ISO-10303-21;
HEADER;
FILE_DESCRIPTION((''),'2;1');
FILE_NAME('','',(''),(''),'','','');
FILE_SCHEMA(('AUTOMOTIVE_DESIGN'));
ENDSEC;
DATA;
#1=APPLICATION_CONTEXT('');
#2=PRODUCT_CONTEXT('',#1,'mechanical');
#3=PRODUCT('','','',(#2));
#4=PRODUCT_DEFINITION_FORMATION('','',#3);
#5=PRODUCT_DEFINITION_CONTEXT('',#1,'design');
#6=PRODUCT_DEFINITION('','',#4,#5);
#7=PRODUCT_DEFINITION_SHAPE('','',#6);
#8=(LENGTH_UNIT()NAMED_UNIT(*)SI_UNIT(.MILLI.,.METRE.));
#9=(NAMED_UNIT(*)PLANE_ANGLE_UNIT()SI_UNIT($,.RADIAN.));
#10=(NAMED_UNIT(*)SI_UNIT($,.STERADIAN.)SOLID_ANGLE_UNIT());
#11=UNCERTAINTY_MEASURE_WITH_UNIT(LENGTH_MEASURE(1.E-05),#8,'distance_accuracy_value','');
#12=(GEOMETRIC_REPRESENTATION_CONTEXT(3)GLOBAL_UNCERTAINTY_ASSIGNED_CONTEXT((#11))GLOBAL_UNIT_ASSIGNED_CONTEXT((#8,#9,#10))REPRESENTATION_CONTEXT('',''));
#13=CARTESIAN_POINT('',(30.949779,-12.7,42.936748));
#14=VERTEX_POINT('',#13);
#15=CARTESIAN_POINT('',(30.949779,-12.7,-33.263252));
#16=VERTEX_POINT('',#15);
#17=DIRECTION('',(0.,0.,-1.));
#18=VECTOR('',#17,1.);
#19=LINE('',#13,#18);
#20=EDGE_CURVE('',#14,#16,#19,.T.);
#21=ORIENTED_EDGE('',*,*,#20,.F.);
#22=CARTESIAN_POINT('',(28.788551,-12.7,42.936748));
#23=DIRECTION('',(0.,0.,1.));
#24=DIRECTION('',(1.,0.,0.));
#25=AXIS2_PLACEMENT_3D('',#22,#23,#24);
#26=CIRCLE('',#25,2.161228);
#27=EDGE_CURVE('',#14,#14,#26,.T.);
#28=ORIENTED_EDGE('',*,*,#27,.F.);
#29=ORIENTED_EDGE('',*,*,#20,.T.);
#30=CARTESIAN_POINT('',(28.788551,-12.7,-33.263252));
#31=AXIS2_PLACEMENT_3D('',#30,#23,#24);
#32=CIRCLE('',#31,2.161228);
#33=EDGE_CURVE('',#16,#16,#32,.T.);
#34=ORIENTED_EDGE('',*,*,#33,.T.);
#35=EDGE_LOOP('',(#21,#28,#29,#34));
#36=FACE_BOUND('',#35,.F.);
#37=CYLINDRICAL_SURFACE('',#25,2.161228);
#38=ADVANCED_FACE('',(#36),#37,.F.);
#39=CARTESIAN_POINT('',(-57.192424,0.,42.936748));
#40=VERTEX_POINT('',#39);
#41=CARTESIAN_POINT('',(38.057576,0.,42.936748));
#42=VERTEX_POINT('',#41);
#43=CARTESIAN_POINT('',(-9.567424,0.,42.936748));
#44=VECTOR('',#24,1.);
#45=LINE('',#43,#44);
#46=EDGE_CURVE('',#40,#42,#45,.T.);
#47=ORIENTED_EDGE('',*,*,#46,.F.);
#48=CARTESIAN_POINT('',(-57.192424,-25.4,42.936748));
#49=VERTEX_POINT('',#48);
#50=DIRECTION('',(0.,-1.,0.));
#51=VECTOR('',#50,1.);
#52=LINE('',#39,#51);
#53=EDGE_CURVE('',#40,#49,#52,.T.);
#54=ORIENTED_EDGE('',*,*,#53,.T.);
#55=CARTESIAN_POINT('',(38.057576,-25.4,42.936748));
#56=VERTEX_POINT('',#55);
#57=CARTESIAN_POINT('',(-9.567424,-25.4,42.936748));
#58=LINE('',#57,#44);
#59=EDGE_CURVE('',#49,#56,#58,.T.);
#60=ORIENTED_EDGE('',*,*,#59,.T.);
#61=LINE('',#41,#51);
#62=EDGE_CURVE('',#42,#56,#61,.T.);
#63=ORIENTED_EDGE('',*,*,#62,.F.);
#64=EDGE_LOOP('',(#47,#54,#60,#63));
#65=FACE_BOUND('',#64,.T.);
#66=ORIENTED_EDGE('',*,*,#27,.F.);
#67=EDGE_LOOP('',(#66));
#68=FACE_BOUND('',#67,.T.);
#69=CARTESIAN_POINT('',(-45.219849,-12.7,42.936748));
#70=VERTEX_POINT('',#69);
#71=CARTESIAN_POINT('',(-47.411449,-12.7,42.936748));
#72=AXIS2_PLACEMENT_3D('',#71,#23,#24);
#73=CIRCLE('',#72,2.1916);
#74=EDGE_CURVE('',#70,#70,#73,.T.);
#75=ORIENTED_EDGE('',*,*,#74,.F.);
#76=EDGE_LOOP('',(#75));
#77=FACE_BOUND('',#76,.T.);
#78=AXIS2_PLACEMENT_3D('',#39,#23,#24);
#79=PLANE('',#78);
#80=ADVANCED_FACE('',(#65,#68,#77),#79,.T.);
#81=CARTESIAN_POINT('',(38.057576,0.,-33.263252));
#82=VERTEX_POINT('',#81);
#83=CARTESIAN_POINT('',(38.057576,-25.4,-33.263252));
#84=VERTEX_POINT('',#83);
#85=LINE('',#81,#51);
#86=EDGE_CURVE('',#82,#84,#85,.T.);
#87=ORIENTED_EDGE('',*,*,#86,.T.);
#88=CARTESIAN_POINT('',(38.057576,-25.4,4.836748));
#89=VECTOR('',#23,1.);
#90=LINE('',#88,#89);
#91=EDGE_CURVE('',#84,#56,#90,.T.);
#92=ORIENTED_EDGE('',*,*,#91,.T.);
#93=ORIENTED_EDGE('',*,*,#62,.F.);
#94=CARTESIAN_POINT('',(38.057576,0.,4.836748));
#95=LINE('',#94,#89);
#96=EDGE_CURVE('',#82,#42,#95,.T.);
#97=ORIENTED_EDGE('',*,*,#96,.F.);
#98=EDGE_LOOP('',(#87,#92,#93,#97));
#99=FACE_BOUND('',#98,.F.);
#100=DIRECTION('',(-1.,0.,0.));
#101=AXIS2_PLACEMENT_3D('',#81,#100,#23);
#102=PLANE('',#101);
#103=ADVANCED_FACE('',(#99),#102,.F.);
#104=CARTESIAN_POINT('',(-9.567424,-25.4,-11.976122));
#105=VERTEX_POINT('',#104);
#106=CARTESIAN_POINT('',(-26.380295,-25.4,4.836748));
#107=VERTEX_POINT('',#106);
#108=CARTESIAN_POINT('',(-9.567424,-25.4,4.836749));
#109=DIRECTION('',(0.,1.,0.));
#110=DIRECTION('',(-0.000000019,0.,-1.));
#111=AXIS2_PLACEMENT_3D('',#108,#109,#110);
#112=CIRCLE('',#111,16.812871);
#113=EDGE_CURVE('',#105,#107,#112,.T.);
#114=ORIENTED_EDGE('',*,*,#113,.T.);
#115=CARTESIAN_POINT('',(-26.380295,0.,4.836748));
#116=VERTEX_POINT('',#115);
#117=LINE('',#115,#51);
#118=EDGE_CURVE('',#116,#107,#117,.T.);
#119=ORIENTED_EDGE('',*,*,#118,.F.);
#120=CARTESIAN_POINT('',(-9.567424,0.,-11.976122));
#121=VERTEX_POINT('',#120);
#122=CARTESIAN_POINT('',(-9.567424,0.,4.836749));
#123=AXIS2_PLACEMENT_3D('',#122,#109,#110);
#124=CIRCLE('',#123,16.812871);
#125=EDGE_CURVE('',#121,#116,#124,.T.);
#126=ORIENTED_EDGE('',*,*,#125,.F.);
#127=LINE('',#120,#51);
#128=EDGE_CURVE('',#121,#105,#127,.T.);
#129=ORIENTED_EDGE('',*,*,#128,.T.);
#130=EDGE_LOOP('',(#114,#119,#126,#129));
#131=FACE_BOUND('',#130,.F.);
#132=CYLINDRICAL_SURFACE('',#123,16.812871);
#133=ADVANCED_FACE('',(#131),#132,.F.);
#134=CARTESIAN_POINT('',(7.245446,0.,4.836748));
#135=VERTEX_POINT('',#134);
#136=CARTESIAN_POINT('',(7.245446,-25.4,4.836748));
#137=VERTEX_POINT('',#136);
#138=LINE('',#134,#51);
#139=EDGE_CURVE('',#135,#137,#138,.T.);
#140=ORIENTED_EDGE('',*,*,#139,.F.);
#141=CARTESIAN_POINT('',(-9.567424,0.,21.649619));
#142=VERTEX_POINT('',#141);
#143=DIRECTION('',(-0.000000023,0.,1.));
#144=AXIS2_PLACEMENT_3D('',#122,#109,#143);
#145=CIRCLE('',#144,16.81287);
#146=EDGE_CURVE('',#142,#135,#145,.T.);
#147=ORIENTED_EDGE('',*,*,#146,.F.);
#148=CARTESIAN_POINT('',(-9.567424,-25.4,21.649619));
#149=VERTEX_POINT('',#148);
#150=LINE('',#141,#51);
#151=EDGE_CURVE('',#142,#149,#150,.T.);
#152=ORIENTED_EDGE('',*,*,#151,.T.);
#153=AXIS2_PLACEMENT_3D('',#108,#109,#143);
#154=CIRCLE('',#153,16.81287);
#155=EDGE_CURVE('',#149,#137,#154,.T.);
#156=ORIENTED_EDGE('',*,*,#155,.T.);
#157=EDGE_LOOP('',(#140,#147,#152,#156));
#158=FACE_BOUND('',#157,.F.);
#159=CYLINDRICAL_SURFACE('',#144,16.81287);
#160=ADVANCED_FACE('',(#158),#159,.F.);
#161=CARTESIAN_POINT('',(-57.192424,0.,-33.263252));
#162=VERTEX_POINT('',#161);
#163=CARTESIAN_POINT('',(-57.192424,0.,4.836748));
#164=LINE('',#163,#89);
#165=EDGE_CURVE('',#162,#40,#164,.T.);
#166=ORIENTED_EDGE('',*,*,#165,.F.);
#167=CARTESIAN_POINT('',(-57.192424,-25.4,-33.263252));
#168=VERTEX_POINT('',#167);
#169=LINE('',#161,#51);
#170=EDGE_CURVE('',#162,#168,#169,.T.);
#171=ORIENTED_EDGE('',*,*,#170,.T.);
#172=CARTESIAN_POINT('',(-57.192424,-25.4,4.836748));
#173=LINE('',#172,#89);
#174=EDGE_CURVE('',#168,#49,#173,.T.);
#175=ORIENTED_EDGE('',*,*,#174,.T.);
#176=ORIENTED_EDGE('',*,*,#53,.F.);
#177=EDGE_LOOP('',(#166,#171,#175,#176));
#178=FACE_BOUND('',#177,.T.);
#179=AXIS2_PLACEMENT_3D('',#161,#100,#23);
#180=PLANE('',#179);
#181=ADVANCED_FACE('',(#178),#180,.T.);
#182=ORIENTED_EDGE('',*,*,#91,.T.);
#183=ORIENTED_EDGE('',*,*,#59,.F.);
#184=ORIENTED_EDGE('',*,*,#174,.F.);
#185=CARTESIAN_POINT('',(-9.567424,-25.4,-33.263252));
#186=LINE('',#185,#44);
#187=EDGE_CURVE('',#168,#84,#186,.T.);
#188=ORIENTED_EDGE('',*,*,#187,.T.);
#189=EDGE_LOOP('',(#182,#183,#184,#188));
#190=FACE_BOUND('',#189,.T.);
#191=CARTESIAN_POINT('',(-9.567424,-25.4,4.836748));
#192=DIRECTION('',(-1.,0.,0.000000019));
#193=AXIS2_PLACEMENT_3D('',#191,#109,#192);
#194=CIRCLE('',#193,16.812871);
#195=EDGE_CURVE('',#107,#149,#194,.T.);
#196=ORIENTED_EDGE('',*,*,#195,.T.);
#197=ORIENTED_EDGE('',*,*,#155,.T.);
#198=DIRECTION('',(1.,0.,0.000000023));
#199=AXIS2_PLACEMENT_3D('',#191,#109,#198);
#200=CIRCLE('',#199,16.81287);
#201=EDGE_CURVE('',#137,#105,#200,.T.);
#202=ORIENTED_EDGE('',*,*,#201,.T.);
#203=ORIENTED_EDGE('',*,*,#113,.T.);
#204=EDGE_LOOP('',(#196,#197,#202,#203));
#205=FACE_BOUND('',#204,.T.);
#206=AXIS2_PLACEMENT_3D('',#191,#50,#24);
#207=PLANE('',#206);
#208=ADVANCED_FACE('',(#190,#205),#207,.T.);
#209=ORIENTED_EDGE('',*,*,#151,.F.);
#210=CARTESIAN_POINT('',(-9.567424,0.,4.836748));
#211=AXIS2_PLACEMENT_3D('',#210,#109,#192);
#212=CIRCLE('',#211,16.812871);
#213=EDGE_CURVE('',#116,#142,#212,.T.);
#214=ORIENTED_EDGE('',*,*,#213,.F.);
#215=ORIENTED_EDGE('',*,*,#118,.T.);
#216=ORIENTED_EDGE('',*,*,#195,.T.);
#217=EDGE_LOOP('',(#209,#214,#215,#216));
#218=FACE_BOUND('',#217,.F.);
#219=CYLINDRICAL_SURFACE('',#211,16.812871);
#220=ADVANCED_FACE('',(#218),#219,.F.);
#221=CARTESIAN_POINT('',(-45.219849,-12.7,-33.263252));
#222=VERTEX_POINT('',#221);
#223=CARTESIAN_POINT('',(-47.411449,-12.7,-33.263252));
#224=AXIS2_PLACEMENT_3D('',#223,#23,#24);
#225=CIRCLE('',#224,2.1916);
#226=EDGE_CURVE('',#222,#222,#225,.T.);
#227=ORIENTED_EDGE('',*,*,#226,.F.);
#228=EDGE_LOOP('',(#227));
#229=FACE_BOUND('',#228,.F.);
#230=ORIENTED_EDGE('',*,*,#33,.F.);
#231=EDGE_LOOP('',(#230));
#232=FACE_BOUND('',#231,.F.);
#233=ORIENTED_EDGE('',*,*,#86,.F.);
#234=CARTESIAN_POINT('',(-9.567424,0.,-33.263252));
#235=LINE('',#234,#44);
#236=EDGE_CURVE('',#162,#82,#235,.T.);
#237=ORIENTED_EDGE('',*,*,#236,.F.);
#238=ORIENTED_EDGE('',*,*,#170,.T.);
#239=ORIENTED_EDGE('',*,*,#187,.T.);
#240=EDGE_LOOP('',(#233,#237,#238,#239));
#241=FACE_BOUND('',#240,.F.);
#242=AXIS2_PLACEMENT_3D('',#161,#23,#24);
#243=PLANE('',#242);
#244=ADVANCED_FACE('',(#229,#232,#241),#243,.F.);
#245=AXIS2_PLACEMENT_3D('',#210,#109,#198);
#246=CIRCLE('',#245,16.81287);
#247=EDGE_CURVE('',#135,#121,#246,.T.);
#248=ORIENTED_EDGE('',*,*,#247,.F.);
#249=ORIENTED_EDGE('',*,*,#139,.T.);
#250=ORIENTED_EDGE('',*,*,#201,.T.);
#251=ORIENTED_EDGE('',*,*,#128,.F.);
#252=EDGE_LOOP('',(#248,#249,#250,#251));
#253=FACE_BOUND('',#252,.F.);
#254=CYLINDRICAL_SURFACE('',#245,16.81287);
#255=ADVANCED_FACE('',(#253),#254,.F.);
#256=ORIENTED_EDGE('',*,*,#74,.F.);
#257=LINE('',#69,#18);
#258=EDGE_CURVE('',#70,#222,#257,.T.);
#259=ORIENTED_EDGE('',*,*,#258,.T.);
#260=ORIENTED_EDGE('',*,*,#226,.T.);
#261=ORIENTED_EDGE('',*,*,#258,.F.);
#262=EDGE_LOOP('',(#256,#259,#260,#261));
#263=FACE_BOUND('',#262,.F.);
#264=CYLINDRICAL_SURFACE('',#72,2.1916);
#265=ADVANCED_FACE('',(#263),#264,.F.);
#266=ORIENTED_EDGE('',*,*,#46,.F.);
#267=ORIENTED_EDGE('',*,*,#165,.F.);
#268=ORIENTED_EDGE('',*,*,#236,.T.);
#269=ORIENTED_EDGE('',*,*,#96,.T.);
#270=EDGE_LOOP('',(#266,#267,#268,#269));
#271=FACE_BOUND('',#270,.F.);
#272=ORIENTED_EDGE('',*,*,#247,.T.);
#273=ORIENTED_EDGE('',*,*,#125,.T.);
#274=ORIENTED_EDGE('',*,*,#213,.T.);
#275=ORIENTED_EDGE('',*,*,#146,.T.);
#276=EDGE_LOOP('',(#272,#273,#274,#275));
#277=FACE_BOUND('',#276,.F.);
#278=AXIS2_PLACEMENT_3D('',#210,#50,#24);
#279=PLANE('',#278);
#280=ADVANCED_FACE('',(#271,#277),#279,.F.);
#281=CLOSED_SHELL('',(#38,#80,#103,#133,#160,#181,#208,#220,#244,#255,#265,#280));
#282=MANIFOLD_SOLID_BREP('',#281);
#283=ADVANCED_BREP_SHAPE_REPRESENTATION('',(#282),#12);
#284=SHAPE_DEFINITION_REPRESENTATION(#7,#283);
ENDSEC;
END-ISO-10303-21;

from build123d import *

# Parameters (mm, degrees)
F0_W     = 95.25
F0_H     = 76.2
F1_DEPTH = 25.4
F4_DEPTH = 25.401
F2_R     = 2.161228
F2_R_2   = 2.1916
F5_DEPTH = 76.201


with BuildPart() as f1:
    # F0 (on Front) → F1 (new body)
    with BuildSketch(Plane.XZ):
        with Locations((-9.567424, 4.836748)):
            Rectangle(F0_W, F0_H)
    extrude(amount=F1_DEPTH)

    # F3 (on face) → F4 (cut, through all)
    with BuildSketch(Plane(origin=(0, 0, 0), x_dir=(-1, 0, 0), z_dir=(0, 1, 0))):
        with BuildLine():
            ThreePointArc((26.380295, 4.836748), (21.455919, 16.725243), (9.567424, 21.649619))
            Line((9.567424, 21.649619), (9.567424, 4.836748))
            Line((9.567424, 4.836748), (26.380295, 4.836748))
        make_face()
        with BuildLine():
            Line((9.567424, 4.836748), (9.567424, 21.649619))
            ThreePointArc((9.567424, 21.649619), (-2.321071, 16.725243), (-7.245446, 4.836748))
            Line((-7.245446, 4.836748), (9.567424, 4.836748))
        make_face()
        with BuildLine():
            Line((26.380295, 4.836748), (9.567424, 4.836748))
            Line((9.567424, 4.836748), (9.567424, -11.976122))
            ThreePointArc((9.567424, -11.976122), (21.455919, -7.051746), (26.380295, 4.836748))
        make_face()
        with BuildLine():
            Line((9.567424, -11.976122), (9.567424, 4.836748))
            Line((9.567424, 4.836748), (-7.245446, 4.836748))
            ThreePointArc((-7.245446, 4.836748), (-2.321071, -7.051746), (9.567424, -11.976122))
        make_face()
    extrude(amount=-F4_DEPTH, mode=Mode.SUBTRACT)

    # F2 (on face) → F5 (cut, through all)
    with BuildSketch(Plane.XY.offset(42.936748)):
        with Locations((28.788551, -12.7)):
            Circle(F2_R)
        with Locations((-47.411449, -12.7)):
            Circle(F2_R_2)
    extrude(amount=-F5_DEPTH, mode=Mode.SUBTRACT)


solid = f1.part
